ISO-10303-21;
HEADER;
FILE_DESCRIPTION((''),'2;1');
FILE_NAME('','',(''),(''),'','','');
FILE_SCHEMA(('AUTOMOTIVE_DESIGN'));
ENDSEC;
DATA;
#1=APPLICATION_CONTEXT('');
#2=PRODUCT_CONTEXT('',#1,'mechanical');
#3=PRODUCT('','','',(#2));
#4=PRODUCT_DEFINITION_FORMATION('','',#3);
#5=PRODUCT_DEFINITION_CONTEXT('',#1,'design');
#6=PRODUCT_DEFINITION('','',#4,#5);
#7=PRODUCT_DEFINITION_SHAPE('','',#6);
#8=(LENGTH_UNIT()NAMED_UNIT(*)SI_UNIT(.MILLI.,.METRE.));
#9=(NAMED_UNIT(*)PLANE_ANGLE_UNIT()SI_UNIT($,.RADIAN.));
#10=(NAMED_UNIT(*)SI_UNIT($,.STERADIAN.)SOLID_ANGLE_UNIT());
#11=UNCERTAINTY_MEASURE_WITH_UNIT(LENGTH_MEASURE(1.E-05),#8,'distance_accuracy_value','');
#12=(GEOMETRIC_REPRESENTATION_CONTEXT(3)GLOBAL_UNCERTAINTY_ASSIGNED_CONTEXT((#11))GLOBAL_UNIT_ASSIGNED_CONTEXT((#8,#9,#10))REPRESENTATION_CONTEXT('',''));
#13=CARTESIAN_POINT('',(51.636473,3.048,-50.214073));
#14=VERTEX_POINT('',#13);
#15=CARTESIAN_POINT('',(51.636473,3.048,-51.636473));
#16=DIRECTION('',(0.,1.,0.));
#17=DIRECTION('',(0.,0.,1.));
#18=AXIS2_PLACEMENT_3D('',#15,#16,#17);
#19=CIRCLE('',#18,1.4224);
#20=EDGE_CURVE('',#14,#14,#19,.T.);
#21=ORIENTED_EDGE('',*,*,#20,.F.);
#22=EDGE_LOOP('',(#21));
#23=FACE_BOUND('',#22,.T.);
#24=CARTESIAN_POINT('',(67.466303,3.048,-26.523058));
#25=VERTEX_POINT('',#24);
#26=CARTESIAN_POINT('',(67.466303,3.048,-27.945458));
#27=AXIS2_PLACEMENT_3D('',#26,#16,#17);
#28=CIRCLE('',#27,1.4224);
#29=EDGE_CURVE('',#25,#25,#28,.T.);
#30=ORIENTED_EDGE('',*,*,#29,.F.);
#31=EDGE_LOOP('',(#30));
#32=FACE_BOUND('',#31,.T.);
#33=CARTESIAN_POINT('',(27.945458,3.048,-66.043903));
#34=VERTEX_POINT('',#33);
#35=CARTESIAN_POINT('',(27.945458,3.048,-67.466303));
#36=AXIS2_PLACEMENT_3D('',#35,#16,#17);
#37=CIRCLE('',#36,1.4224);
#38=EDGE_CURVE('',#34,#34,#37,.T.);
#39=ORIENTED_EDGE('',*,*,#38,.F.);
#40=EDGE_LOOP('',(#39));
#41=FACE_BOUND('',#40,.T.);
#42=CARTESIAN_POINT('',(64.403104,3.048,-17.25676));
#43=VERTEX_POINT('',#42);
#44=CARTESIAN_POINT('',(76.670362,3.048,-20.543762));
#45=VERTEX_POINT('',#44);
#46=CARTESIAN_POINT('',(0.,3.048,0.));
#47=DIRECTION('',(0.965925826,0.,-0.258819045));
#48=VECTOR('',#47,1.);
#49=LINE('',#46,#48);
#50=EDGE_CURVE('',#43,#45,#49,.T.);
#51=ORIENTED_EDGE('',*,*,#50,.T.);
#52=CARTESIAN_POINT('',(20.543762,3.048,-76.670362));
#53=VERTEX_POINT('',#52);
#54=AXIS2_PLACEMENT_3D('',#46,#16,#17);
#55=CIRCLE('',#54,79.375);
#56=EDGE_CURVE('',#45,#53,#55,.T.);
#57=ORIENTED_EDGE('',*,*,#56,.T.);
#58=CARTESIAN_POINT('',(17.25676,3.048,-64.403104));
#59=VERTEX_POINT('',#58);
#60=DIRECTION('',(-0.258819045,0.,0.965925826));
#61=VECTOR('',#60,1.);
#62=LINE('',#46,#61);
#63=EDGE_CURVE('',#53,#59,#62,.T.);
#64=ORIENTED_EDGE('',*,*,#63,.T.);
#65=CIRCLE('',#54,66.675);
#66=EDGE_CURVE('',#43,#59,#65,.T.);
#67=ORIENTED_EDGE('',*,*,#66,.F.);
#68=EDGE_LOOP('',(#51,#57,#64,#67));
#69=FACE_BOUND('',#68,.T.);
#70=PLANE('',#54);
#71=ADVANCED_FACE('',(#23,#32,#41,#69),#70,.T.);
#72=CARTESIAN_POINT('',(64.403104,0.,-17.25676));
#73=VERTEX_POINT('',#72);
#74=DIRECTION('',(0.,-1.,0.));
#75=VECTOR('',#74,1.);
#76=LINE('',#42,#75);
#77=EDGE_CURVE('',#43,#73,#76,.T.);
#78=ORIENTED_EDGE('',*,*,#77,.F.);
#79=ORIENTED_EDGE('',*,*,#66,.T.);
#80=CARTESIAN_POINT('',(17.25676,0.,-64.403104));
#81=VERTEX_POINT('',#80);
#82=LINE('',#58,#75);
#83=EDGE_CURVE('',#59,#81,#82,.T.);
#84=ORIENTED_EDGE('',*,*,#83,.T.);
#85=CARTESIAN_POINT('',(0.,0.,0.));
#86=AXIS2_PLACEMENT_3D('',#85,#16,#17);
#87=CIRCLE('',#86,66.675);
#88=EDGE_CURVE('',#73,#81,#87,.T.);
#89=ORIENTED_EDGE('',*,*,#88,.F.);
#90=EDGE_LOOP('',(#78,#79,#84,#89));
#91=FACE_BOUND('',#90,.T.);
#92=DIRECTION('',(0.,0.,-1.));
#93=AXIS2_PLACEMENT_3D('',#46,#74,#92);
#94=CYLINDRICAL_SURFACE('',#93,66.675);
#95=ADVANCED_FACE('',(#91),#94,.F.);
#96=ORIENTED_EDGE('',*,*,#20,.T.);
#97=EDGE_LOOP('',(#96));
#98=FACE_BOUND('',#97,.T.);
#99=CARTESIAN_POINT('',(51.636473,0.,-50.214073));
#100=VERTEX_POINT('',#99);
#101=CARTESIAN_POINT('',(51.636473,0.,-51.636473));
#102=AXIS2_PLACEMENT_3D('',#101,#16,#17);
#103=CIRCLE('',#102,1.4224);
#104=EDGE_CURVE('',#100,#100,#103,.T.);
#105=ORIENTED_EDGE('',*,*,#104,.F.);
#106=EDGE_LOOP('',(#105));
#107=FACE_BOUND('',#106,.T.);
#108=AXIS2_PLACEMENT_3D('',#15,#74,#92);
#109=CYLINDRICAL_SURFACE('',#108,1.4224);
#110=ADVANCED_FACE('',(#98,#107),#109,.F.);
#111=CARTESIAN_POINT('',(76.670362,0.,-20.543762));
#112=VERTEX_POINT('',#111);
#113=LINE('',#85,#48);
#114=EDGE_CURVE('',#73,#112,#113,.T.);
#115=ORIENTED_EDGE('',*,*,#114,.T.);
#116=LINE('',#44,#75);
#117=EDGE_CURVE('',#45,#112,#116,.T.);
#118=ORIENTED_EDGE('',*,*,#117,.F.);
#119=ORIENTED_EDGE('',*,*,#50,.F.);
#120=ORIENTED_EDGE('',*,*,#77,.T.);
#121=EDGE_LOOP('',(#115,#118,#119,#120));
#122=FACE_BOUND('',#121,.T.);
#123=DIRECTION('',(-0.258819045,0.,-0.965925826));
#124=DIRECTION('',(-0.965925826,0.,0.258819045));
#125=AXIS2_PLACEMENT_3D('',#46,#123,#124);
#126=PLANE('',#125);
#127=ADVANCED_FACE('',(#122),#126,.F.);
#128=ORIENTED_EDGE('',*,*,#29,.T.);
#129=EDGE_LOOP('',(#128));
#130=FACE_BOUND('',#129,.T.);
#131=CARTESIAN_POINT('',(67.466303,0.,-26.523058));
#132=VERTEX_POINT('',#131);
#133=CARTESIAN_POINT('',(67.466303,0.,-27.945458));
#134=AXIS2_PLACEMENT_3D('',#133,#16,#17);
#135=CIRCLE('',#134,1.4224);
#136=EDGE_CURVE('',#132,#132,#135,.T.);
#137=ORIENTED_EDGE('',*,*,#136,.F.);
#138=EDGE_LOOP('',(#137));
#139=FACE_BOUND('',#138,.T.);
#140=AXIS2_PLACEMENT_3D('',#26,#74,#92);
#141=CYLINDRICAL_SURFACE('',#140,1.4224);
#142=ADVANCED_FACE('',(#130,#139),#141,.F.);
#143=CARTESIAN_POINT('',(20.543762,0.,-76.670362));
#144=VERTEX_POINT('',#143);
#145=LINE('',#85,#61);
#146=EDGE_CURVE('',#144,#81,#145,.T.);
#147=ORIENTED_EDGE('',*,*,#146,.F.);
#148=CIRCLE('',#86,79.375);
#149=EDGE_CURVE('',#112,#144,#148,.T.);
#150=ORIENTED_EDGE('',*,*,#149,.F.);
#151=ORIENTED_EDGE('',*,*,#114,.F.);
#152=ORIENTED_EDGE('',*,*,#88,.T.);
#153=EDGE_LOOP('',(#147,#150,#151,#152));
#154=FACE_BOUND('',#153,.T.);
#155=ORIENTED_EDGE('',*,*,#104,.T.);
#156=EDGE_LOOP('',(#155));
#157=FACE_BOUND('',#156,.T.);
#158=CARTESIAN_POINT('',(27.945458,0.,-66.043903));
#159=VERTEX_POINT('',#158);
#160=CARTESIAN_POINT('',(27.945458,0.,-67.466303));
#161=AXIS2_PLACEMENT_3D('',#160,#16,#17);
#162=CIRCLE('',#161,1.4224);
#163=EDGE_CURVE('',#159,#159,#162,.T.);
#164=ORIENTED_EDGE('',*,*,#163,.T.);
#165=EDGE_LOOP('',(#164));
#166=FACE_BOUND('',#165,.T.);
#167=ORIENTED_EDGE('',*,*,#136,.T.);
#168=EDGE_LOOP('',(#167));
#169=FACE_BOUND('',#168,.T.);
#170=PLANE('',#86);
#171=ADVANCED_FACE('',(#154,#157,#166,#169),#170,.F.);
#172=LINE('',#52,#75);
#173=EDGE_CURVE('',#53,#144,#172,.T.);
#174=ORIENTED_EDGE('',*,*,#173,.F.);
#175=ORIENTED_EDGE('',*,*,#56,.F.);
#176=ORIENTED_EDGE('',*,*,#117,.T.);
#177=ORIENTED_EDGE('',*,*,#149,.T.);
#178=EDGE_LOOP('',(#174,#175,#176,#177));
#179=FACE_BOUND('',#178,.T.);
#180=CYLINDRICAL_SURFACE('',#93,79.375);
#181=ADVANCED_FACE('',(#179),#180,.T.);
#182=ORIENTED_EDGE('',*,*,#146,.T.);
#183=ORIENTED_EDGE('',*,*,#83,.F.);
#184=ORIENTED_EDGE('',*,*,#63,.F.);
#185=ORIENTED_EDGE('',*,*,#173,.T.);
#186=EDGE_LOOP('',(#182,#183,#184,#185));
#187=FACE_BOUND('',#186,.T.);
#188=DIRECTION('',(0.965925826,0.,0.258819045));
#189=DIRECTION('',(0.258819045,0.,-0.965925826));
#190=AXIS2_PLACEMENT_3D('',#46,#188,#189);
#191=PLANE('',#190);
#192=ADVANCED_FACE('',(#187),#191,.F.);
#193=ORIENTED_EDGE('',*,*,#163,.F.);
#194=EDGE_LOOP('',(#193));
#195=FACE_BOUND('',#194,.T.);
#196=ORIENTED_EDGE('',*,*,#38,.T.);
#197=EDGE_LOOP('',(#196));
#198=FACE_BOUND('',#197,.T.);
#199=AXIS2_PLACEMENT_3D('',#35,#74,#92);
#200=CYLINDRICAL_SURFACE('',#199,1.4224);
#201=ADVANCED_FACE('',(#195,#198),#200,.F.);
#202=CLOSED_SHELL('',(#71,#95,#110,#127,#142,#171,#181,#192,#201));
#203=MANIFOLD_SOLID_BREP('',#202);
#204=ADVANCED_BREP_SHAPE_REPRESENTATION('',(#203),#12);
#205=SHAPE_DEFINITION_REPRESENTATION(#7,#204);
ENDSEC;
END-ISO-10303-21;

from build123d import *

# Parameters (mm, degrees)
SKETCH1_R           = 1.4224
BOSS_EXTRUDE1_DEPTH = 3.048


with BuildPart() as part:
    # Sketch1 → Boss-Extrude1 (new body)
    with BuildSketch(Plane(origin=(0, 0, 0), x_dir=(1, 0, 0), z_dir=(0, 1, 0))):
        with BuildLine():
            ThreePointArc((76.670362462, 20.543761705), (56.126600757, 56.126600757), (20.543761705, 76.670362462))
            Line((20.543761705, 76.670362462), (17.256759832, 64.403104468))
            ThreePointArc((17.256759832, 64.403104468), (47.146344636, 47.146344636), (64.403104468, 17.256759832))
            Line((64.403104468, 17.256759832), (76.670362462, 20.543761705))
        make_face()
        with Locations((67.466302862, 27.945457648)):
            Circle(SKETCH1_R, mode=Mode.SUBTRACT)
        with Locations((27.945457648, 67.466302862)):
            Circle(SKETCH1_R, mode=Mode.SUBTRACT)
        with Locations((51.636472696, 51.636472696)):
            Circle(SKETCH1_R, mode=Mode.SUBTRACT)
    extrude(amount=BOSS_EXTRUDE1_DEPTH)


solid = part.part
